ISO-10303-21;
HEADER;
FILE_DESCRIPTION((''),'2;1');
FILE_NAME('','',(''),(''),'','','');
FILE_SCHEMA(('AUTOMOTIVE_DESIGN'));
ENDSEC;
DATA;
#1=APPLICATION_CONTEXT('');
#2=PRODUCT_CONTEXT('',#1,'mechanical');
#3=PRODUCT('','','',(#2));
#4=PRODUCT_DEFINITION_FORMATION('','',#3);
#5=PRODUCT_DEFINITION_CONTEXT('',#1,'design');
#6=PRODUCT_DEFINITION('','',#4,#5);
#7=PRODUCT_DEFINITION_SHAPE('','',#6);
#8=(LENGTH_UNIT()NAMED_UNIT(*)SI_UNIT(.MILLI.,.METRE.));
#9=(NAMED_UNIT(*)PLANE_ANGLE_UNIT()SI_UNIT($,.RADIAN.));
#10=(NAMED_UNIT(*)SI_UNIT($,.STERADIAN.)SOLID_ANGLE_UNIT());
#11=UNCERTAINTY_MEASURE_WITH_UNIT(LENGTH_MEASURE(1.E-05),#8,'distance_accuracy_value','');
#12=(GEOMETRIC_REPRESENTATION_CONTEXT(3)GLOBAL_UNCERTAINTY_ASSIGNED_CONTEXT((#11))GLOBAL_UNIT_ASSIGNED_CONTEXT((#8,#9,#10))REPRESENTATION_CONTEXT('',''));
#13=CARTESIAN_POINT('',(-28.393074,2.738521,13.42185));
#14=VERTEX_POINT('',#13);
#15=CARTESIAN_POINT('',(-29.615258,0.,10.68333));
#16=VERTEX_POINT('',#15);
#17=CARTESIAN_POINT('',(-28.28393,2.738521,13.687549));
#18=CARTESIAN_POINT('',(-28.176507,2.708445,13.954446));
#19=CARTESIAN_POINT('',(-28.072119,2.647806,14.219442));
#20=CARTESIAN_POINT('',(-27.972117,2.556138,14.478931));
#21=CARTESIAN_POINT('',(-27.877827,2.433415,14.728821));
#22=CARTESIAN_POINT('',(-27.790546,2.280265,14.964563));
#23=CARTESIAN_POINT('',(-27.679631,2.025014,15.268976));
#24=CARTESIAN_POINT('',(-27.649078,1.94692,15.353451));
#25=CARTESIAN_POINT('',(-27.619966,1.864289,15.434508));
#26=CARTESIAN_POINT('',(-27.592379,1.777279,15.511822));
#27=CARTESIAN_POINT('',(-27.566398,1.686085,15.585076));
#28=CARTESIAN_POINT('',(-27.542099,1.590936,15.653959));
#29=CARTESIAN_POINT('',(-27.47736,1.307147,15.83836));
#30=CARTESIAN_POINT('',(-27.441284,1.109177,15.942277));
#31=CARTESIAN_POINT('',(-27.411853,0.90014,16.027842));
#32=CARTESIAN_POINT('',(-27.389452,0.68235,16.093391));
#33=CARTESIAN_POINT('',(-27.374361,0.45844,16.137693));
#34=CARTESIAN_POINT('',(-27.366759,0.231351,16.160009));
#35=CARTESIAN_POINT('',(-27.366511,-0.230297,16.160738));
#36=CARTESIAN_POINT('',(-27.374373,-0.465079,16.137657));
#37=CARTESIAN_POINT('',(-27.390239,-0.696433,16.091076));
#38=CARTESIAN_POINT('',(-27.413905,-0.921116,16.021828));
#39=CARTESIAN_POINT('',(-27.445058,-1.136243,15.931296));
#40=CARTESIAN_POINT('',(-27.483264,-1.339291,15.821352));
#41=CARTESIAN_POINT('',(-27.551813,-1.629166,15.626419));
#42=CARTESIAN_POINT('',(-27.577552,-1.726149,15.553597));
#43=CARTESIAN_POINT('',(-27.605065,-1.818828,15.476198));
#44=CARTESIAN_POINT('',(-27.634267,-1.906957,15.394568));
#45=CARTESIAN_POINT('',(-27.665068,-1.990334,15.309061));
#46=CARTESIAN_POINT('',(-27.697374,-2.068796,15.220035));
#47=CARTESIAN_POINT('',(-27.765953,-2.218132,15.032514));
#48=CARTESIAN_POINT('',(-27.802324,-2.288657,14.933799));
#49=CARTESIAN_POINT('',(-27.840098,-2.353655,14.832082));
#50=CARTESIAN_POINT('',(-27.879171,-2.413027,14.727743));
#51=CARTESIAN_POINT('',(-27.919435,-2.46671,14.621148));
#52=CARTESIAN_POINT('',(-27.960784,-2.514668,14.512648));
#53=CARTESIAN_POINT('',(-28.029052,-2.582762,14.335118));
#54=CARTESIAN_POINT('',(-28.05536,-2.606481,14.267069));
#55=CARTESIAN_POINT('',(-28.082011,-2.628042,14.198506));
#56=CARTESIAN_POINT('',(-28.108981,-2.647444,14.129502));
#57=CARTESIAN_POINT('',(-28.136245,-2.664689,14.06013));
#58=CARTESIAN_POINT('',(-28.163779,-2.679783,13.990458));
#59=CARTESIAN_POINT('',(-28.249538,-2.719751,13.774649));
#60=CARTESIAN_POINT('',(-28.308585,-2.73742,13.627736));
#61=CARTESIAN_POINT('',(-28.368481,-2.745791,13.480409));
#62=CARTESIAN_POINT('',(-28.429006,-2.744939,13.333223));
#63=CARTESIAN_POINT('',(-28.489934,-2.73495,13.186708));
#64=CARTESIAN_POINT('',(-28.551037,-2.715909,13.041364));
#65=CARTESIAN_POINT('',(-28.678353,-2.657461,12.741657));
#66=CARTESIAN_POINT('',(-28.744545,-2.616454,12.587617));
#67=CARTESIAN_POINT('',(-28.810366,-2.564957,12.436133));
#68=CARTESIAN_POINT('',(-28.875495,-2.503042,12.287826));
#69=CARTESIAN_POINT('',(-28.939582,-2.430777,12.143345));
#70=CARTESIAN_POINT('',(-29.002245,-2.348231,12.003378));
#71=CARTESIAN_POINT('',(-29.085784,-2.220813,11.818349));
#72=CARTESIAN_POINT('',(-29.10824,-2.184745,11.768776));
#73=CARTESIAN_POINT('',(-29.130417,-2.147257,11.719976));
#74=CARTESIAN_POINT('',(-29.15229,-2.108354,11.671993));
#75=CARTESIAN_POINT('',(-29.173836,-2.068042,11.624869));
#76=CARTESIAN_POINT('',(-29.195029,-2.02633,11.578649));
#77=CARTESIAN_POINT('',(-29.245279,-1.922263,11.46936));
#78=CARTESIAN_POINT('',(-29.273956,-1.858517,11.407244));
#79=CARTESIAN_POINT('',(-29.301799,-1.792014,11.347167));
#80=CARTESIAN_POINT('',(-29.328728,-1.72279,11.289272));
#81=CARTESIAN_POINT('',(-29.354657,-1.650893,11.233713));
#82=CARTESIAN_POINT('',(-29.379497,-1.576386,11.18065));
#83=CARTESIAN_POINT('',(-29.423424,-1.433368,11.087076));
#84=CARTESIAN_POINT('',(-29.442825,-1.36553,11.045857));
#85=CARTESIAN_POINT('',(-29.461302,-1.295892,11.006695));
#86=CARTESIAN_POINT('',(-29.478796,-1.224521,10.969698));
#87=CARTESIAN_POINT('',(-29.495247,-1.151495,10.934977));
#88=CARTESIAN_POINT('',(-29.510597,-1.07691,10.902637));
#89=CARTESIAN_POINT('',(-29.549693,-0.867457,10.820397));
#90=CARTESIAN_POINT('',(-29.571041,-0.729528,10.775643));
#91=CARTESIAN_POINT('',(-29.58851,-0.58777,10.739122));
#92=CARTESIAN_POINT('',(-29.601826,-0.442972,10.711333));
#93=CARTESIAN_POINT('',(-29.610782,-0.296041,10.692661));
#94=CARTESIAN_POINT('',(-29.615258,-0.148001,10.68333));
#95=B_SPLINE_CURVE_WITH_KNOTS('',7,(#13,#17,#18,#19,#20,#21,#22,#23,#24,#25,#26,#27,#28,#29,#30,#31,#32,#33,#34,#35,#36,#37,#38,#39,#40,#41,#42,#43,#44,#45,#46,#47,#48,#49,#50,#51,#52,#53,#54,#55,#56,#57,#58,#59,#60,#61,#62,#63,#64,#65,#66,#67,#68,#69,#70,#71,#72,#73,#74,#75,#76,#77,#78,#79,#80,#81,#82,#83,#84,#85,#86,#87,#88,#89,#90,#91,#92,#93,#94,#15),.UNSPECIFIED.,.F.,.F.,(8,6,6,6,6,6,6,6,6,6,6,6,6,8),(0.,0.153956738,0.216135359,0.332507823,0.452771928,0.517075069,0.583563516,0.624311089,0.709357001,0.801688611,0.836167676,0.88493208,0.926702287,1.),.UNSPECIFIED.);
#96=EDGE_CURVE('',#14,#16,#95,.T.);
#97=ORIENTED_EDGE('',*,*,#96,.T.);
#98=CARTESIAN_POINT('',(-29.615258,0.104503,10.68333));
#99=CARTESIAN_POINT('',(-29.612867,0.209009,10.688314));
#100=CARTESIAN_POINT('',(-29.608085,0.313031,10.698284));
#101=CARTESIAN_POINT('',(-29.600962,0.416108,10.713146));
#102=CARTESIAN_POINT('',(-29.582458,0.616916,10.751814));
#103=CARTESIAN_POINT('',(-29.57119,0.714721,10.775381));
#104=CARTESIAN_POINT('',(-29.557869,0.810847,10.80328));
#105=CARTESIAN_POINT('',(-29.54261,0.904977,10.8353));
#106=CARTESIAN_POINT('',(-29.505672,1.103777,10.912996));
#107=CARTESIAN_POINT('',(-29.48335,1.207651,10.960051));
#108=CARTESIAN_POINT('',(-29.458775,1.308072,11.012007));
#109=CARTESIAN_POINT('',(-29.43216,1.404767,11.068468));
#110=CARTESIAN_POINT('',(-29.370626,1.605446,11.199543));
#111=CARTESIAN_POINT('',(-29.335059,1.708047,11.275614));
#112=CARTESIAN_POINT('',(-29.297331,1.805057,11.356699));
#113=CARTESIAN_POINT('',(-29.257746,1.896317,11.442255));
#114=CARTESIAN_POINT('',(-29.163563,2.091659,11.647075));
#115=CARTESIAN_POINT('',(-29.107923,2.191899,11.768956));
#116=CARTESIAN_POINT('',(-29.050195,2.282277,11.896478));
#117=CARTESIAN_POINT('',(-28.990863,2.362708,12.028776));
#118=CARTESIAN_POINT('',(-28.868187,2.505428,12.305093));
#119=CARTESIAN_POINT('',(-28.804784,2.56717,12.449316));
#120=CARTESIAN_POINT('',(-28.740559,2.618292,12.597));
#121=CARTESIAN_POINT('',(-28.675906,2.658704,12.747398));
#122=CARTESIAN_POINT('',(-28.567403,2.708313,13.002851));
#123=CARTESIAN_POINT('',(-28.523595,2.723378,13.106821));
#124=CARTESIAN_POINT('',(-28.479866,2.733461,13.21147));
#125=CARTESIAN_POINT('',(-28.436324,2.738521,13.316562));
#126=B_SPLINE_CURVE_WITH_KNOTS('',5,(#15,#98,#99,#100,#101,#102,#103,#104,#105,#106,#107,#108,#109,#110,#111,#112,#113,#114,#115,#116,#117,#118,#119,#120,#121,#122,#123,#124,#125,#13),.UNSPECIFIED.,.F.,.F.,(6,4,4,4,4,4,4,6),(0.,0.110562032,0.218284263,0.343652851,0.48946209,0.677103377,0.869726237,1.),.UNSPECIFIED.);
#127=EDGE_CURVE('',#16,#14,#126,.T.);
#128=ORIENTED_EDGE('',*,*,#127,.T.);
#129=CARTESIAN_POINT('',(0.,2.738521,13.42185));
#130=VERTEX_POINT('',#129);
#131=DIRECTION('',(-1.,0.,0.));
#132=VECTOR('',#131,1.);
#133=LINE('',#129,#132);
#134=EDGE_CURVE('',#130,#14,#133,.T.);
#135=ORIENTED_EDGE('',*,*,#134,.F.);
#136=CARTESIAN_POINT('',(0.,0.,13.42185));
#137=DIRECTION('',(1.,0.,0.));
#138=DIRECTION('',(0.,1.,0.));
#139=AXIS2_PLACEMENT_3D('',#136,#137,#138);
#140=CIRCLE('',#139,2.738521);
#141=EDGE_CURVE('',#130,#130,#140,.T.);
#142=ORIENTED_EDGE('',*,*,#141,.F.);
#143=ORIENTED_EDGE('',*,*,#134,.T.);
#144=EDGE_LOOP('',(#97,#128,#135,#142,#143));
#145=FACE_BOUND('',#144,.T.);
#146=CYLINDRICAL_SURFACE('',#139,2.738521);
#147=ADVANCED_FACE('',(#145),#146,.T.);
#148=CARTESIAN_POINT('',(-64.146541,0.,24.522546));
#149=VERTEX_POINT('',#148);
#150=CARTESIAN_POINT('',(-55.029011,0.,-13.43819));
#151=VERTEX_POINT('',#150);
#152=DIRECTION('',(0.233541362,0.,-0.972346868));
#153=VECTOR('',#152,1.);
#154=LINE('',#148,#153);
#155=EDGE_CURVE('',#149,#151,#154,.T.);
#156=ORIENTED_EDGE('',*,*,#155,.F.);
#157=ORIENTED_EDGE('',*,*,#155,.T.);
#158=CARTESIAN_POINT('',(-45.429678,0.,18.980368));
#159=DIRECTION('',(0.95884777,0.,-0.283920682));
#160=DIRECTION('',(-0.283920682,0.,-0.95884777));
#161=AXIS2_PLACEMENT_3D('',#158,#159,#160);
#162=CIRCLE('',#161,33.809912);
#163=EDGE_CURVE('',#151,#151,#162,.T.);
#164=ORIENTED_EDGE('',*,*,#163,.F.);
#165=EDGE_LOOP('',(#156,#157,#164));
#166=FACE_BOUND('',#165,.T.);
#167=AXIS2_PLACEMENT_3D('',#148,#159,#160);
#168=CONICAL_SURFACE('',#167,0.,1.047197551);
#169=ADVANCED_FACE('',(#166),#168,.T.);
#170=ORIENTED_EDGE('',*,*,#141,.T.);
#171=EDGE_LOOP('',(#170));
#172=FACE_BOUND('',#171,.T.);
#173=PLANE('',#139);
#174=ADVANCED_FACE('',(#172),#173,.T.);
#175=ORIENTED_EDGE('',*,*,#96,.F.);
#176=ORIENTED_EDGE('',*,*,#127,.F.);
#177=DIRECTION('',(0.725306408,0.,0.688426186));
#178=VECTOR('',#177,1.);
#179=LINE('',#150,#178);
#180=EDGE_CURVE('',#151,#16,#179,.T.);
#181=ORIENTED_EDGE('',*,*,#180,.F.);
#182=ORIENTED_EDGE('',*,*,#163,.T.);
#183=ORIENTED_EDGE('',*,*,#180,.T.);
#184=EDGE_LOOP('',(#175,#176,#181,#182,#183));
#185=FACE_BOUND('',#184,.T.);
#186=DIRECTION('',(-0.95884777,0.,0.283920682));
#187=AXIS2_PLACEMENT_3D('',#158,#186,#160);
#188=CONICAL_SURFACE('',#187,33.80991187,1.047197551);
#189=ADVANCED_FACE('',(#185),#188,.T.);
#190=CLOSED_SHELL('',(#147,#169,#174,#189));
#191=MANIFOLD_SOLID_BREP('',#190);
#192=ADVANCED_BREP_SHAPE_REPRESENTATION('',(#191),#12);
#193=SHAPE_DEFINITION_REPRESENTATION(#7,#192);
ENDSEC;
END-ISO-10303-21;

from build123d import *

# Parameters (mm, degrees)
F2_R     = 2.7385207235
F3_DEPTH = 33.9852


with BuildPart() as f1:
    # F0 (on Front) → F1 (revolve)
    with BuildSketch(Plane.XZ):
        Polygon((-55.0290107616, -13.4381904874), (-26.7128139846, 13.4381904874), (-64.146541059, 24.5225457475), align=None)
    revolve(axis=Axis((-45.4296775218, 0, 18.9803681174), (0.9588477701, 0, -0.2839206821)))

    # F2 (on Right) → F3 (join)
    with BuildSketch(Plane.YZ):
        with Locations((0, 13.421850279)):
            Circle(F2_R)
    extrude(amount=-F3_DEPTH)


solid = f1.part
